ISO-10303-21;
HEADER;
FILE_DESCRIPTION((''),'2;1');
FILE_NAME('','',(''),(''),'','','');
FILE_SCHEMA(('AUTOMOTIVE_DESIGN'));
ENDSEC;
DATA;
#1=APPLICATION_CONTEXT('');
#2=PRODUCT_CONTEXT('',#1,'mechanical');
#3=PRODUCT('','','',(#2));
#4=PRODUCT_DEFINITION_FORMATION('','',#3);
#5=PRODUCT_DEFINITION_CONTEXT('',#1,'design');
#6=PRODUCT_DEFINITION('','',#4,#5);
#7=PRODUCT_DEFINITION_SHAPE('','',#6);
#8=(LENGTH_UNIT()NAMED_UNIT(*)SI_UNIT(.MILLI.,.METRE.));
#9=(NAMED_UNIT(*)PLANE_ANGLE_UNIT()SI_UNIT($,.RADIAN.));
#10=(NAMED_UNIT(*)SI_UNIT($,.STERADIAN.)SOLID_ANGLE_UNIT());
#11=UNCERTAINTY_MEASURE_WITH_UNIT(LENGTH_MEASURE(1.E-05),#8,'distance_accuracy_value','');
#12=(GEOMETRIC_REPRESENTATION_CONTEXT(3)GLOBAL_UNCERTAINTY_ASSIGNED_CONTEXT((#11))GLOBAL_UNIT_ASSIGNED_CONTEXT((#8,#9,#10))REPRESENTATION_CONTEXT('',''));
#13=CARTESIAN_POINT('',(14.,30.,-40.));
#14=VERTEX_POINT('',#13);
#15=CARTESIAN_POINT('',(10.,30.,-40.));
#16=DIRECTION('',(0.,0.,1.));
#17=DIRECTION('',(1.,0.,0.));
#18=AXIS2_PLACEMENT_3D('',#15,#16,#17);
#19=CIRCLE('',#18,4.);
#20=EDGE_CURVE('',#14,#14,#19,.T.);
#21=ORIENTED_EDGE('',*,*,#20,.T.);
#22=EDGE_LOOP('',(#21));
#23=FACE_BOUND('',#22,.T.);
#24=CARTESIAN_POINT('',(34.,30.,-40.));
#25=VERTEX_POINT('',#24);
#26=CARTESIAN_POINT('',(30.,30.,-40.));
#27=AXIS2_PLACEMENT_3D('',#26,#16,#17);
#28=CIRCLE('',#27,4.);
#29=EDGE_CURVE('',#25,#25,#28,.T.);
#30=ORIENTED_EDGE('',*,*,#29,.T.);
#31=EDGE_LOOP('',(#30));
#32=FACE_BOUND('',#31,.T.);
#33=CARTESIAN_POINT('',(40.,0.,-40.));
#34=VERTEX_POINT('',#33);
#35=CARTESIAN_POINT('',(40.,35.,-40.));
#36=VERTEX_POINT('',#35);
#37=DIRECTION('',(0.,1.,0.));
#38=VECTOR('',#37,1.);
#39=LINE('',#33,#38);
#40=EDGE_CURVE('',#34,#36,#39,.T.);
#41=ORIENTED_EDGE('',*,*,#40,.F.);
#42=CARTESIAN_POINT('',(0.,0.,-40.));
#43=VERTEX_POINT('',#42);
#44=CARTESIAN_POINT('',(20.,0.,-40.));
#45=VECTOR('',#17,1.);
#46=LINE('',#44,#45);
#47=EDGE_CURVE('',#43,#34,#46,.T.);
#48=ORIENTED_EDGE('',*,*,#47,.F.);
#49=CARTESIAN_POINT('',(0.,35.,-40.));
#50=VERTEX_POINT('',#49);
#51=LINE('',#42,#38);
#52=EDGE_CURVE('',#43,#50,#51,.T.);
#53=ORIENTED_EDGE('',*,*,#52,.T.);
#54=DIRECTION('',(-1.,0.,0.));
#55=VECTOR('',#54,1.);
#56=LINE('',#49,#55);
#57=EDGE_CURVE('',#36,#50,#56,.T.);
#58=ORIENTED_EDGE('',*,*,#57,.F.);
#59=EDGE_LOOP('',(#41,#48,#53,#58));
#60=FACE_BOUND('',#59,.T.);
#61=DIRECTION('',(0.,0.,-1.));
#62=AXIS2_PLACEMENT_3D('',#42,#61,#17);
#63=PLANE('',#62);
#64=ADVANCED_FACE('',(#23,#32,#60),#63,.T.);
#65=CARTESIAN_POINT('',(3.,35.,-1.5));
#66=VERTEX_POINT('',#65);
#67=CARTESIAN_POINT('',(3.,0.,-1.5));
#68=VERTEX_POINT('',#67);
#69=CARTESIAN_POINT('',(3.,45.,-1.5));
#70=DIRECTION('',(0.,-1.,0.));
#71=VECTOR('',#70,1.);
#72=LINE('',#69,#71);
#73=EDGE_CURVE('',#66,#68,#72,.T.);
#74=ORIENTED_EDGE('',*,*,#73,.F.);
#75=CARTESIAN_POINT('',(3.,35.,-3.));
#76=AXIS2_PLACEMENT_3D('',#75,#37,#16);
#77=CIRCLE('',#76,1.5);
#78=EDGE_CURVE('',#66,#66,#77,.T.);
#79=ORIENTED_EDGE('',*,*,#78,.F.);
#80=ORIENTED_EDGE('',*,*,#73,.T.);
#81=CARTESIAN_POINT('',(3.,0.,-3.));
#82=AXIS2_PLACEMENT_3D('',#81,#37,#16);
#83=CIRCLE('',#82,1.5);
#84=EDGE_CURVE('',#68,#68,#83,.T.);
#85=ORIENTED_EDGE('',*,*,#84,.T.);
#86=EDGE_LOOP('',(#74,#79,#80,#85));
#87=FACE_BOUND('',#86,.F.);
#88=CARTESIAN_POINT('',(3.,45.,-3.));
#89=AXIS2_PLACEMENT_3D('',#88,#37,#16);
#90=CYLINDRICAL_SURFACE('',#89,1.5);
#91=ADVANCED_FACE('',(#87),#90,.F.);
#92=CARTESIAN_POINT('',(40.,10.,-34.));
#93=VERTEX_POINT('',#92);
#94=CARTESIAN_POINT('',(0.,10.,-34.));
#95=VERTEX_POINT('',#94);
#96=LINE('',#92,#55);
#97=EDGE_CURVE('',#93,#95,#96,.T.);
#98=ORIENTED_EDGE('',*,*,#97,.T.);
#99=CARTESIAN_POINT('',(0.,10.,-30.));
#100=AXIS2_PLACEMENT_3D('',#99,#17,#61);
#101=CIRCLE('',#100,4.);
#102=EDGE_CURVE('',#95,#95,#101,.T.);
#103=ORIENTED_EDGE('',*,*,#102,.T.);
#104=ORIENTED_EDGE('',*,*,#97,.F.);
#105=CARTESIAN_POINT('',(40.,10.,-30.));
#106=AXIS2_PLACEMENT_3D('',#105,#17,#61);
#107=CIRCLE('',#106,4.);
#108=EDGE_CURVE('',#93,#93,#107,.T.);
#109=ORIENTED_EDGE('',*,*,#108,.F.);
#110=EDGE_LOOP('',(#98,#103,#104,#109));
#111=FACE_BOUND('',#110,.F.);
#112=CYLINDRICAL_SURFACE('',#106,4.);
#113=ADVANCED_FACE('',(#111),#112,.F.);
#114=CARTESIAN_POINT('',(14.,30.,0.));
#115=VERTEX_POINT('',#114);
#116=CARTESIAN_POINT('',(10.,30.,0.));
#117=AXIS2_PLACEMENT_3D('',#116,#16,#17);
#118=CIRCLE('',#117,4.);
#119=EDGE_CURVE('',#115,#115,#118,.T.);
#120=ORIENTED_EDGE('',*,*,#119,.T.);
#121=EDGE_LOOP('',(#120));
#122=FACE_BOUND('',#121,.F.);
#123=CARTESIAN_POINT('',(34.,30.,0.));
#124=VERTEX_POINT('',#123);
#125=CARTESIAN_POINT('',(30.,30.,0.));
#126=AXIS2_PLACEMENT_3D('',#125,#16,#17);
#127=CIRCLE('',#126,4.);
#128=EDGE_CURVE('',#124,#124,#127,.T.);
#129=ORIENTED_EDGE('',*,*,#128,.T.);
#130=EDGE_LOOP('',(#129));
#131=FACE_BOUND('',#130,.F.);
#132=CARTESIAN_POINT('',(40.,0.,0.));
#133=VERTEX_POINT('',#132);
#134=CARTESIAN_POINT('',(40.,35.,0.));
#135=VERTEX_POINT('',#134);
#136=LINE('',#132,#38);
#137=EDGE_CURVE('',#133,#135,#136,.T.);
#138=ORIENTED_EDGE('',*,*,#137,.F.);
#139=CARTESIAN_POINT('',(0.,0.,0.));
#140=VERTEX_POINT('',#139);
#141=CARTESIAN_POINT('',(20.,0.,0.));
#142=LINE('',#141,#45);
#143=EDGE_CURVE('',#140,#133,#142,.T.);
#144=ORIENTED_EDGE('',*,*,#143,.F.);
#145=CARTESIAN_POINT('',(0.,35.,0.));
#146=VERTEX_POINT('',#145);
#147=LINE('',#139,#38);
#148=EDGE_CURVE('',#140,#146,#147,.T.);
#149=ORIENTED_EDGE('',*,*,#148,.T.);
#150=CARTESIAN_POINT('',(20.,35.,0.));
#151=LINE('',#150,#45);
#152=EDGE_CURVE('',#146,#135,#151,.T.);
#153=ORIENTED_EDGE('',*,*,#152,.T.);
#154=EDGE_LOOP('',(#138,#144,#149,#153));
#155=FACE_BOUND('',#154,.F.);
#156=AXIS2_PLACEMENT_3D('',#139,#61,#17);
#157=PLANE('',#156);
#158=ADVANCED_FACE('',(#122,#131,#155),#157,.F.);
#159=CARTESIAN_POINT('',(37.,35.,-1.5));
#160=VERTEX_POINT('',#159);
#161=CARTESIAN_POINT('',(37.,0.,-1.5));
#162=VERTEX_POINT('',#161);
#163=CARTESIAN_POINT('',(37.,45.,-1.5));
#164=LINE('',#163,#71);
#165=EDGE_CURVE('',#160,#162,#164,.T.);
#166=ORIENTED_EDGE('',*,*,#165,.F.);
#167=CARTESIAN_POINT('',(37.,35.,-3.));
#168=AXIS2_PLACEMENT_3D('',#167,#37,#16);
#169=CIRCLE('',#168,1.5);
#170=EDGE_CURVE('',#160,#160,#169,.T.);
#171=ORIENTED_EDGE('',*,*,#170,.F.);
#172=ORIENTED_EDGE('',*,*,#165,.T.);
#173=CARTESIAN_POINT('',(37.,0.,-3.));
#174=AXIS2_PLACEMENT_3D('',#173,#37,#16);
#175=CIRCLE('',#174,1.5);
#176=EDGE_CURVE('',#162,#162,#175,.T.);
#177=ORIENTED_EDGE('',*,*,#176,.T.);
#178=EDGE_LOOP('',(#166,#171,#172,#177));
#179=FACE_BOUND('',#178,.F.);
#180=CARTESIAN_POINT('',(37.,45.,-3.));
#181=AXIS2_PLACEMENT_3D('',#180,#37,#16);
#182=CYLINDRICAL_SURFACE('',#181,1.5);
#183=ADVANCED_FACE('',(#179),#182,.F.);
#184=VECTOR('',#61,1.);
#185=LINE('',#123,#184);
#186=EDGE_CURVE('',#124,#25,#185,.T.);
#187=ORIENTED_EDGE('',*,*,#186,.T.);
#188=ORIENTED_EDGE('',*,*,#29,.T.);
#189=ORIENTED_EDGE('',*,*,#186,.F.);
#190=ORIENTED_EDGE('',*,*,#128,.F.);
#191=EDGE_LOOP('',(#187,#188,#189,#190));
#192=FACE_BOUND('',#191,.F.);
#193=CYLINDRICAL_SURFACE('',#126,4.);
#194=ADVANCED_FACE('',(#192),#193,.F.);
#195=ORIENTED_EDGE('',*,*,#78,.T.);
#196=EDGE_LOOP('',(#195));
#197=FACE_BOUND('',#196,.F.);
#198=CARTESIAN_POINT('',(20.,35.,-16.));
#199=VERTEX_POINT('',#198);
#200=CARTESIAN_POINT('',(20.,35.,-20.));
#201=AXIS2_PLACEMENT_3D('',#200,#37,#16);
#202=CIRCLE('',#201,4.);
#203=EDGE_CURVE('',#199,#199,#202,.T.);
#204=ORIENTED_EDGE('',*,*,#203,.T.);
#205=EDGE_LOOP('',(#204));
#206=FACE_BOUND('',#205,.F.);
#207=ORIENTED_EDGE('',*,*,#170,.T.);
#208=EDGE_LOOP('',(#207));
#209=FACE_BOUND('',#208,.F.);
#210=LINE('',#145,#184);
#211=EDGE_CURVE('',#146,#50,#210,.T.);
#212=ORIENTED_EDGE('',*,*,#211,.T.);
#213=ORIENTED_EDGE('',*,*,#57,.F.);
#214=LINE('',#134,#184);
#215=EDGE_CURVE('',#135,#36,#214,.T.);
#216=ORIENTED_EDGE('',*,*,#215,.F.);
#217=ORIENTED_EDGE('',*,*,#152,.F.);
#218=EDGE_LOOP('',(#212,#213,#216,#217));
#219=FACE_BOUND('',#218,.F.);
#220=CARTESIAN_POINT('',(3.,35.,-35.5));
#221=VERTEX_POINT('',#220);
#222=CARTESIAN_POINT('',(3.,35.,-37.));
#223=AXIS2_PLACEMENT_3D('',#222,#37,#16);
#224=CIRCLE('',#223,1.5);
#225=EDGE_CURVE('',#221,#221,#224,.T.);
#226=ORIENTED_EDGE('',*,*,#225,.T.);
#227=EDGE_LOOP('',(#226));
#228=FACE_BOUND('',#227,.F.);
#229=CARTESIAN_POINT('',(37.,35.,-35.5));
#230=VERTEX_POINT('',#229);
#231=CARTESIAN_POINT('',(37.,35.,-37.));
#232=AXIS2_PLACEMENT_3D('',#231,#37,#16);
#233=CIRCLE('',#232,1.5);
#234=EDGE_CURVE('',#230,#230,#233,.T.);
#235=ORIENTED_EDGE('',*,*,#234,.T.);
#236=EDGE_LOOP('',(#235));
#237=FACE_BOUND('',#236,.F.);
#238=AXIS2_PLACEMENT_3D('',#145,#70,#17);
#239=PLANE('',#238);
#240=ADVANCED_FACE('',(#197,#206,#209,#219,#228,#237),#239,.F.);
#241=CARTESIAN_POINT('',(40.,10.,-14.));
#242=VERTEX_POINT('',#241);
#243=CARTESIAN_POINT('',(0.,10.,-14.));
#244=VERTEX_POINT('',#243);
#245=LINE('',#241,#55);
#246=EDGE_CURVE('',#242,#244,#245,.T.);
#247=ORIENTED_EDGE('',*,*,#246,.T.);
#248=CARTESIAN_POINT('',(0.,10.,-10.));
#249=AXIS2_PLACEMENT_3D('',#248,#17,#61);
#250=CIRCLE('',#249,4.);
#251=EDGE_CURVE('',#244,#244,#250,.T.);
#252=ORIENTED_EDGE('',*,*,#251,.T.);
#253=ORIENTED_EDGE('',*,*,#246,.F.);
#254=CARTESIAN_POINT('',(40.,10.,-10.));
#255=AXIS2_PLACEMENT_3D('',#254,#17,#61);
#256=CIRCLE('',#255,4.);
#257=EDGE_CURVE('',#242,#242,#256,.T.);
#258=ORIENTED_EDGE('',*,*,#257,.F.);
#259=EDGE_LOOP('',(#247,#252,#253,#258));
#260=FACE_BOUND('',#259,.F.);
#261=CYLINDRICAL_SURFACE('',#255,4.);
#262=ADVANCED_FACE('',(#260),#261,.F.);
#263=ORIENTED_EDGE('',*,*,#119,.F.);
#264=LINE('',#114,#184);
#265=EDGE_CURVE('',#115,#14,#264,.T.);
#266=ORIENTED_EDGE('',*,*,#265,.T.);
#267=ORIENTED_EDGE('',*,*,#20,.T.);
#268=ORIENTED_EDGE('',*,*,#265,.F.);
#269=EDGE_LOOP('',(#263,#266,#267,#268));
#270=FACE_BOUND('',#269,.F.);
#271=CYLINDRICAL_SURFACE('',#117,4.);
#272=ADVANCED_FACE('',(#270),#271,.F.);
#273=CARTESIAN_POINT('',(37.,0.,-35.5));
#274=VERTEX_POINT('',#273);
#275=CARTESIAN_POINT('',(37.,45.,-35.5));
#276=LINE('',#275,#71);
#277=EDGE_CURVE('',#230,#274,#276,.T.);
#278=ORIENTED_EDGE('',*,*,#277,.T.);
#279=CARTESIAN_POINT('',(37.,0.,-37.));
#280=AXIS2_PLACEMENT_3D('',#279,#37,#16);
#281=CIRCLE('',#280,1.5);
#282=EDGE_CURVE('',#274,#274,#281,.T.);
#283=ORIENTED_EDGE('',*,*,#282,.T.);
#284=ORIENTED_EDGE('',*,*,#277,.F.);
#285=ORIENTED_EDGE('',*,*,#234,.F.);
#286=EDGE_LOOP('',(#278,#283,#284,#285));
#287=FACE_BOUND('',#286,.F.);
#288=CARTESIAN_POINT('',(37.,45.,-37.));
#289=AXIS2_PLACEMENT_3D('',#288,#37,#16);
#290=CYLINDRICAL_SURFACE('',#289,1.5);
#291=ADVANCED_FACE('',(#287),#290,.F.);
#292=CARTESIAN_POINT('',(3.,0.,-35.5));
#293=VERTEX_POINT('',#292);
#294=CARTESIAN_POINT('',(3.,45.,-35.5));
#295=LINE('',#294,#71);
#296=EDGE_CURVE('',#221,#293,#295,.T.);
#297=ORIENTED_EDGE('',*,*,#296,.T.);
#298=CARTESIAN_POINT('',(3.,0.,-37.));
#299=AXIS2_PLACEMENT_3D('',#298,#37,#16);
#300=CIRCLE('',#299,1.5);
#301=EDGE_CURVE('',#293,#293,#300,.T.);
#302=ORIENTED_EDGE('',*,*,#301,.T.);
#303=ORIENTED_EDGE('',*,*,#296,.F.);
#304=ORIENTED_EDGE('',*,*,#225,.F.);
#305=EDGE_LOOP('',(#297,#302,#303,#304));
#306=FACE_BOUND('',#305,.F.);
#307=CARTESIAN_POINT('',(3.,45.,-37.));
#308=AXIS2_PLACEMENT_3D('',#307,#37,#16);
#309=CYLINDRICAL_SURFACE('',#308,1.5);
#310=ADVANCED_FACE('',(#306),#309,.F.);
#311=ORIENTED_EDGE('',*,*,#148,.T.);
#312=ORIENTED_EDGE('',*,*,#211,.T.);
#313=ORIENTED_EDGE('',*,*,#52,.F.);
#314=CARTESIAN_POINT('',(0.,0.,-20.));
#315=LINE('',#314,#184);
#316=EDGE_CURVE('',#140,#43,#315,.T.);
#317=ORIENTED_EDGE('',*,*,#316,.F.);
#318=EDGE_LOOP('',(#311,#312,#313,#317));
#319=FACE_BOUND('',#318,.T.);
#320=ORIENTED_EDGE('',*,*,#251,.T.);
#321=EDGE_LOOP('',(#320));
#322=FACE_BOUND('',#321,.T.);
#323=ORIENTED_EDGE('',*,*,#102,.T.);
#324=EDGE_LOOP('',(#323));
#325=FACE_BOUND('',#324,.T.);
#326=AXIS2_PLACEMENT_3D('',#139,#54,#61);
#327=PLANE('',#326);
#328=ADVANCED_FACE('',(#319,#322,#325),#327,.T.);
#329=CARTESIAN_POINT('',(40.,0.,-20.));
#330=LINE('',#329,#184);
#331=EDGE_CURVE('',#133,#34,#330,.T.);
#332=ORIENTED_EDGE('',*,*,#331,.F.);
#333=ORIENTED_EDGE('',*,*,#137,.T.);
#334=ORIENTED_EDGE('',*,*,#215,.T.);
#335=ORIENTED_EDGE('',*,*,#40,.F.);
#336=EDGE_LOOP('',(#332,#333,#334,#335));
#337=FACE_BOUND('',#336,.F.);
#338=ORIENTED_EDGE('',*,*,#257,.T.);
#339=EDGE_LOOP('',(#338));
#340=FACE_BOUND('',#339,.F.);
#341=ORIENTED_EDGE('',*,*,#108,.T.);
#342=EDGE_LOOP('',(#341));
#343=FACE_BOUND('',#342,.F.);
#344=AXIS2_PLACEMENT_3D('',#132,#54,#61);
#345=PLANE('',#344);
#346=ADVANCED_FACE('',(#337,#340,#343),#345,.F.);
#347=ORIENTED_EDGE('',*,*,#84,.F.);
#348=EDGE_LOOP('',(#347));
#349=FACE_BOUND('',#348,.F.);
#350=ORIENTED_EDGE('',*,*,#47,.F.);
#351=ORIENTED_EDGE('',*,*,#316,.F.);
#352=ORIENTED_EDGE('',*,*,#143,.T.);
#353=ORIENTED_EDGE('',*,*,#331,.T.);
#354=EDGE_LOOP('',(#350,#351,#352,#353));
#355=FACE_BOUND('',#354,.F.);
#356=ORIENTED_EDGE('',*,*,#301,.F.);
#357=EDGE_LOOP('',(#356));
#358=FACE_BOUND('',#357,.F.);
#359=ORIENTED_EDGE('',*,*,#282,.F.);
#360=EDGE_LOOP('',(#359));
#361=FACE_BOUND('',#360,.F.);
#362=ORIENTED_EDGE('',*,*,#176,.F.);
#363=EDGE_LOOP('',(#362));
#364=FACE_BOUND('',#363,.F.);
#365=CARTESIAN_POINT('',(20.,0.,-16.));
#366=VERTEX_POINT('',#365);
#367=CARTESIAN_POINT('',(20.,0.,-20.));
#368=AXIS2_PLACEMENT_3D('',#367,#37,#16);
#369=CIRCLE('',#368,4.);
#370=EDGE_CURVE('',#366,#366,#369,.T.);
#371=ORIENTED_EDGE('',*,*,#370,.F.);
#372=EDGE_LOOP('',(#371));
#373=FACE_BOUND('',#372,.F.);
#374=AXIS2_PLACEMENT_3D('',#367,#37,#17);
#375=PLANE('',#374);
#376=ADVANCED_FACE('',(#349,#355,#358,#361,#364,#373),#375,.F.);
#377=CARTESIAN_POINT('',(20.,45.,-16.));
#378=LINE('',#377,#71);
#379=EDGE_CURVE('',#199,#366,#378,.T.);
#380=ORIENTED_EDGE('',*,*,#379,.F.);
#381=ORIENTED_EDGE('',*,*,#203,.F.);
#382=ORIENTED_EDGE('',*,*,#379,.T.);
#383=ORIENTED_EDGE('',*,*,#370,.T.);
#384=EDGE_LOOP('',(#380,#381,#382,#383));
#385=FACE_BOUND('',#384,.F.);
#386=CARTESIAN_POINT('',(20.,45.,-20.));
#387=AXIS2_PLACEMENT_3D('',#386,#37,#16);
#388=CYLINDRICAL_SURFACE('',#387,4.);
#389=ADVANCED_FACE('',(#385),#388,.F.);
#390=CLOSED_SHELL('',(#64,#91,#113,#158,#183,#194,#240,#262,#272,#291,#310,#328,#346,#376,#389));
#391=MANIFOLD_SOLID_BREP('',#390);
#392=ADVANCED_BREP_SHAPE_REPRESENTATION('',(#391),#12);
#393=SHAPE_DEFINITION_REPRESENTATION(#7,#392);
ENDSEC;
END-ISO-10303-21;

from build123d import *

# Parameters (mm, degrees)
SKETCH1_W           = 40
SKETCH1_H           = 40
BOSS_EXTRUDE1_DEPTH = 45
SKETCH2_R           = 4
CUT_EXTRUDE1_DEPTH  = 45
SKETCH3_R           = 4
CUT_EXTRUDE2_DEPTH  = 45
SKETCH4_R           = 4
SKETCH4_R_2         = 1.5
CUT_EXTRUDE13_DEPTH = 45
SKETCH9_W           = 40
SKETCH9_H           = 10
CUT_EXTRUDE18_DEPTH = 45


with BuildPart() as part:
    # Sketch1 → Boss-Extrude1 (new body)
    with BuildSketch(Plane(origin=(0, 0, 0), x_dir=(1, 0, 0), z_dir=(0, 1, 0))):
        with Locations((20, 20)):
            Rectangle(SKETCH1_W, SKETCH1_H)
    extrude(amount=BOSS_EXTRUDE1_DEPTH)

    # Sketch2 → Cut-Extrude1 (cut)
    with BuildSketch(Plane.XY):
        with Locations((10, 30)):
            Circle(SKETCH2_R)
        with Locations((30, 30)):
            Circle(SKETCH2_R)
    extrude(amount=-CUT_EXTRUDE1_DEPTH, mode=Mode.SUBTRACT)

    # Sketch3 → Cut-Extrude2 (cut)
    with BuildSketch(Plane(origin=(40, 0, 0), x_dir=(0, 0, -1), z_dir=(1, 0, 0))):
        with Locations((10, 10)):
            Circle(SKETCH3_R)
        with Locations((30, 10)):
            Circle(SKETCH3_R)
    extrude(amount=-CUT_EXTRUDE2_DEPTH, mode=Mode.SUBTRACT)

    # Sketch4 → Cut-Extrude13 (cut)
    with BuildSketch(Plane(origin=(0, 45, 0), x_dir=(1, 0, 0), z_dir=(0, 1, 0))):
        with Locations(Location((20, 20, 0), (0, 0, 270))):
            Circle(SKETCH4_R)
        with Locations(Location((3, 3, 0), (0, 0, 270))):
            Circle(SKETCH4_R_2)
        with Locations(Location((3, 37, 0), (0, 0, 270))):
            Circle(SKETCH4_R_2)
        with Locations(Location((37, 37, 0), (0, 0, 270))):
            Circle(SKETCH4_R_2)
        with Locations(Location((37, 3, 0), (0, 0, 270))):
            Circle(SKETCH4_R_2)
    extrude(amount=-CUT_EXTRUDE13_DEPTH, mode=Mode.SUBTRACT)

    # Sketch9 → Cut-Extrude18 (cut)
    with BuildSketch(Plane.XY):
        with Locations((20, 40)):
            Rectangle(SKETCH9_W, SKETCH9_H)
    extrude(amount=-CUT_EXTRUDE18_DEPTH, mode=Mode.SUBTRACT)


solid = part.part
